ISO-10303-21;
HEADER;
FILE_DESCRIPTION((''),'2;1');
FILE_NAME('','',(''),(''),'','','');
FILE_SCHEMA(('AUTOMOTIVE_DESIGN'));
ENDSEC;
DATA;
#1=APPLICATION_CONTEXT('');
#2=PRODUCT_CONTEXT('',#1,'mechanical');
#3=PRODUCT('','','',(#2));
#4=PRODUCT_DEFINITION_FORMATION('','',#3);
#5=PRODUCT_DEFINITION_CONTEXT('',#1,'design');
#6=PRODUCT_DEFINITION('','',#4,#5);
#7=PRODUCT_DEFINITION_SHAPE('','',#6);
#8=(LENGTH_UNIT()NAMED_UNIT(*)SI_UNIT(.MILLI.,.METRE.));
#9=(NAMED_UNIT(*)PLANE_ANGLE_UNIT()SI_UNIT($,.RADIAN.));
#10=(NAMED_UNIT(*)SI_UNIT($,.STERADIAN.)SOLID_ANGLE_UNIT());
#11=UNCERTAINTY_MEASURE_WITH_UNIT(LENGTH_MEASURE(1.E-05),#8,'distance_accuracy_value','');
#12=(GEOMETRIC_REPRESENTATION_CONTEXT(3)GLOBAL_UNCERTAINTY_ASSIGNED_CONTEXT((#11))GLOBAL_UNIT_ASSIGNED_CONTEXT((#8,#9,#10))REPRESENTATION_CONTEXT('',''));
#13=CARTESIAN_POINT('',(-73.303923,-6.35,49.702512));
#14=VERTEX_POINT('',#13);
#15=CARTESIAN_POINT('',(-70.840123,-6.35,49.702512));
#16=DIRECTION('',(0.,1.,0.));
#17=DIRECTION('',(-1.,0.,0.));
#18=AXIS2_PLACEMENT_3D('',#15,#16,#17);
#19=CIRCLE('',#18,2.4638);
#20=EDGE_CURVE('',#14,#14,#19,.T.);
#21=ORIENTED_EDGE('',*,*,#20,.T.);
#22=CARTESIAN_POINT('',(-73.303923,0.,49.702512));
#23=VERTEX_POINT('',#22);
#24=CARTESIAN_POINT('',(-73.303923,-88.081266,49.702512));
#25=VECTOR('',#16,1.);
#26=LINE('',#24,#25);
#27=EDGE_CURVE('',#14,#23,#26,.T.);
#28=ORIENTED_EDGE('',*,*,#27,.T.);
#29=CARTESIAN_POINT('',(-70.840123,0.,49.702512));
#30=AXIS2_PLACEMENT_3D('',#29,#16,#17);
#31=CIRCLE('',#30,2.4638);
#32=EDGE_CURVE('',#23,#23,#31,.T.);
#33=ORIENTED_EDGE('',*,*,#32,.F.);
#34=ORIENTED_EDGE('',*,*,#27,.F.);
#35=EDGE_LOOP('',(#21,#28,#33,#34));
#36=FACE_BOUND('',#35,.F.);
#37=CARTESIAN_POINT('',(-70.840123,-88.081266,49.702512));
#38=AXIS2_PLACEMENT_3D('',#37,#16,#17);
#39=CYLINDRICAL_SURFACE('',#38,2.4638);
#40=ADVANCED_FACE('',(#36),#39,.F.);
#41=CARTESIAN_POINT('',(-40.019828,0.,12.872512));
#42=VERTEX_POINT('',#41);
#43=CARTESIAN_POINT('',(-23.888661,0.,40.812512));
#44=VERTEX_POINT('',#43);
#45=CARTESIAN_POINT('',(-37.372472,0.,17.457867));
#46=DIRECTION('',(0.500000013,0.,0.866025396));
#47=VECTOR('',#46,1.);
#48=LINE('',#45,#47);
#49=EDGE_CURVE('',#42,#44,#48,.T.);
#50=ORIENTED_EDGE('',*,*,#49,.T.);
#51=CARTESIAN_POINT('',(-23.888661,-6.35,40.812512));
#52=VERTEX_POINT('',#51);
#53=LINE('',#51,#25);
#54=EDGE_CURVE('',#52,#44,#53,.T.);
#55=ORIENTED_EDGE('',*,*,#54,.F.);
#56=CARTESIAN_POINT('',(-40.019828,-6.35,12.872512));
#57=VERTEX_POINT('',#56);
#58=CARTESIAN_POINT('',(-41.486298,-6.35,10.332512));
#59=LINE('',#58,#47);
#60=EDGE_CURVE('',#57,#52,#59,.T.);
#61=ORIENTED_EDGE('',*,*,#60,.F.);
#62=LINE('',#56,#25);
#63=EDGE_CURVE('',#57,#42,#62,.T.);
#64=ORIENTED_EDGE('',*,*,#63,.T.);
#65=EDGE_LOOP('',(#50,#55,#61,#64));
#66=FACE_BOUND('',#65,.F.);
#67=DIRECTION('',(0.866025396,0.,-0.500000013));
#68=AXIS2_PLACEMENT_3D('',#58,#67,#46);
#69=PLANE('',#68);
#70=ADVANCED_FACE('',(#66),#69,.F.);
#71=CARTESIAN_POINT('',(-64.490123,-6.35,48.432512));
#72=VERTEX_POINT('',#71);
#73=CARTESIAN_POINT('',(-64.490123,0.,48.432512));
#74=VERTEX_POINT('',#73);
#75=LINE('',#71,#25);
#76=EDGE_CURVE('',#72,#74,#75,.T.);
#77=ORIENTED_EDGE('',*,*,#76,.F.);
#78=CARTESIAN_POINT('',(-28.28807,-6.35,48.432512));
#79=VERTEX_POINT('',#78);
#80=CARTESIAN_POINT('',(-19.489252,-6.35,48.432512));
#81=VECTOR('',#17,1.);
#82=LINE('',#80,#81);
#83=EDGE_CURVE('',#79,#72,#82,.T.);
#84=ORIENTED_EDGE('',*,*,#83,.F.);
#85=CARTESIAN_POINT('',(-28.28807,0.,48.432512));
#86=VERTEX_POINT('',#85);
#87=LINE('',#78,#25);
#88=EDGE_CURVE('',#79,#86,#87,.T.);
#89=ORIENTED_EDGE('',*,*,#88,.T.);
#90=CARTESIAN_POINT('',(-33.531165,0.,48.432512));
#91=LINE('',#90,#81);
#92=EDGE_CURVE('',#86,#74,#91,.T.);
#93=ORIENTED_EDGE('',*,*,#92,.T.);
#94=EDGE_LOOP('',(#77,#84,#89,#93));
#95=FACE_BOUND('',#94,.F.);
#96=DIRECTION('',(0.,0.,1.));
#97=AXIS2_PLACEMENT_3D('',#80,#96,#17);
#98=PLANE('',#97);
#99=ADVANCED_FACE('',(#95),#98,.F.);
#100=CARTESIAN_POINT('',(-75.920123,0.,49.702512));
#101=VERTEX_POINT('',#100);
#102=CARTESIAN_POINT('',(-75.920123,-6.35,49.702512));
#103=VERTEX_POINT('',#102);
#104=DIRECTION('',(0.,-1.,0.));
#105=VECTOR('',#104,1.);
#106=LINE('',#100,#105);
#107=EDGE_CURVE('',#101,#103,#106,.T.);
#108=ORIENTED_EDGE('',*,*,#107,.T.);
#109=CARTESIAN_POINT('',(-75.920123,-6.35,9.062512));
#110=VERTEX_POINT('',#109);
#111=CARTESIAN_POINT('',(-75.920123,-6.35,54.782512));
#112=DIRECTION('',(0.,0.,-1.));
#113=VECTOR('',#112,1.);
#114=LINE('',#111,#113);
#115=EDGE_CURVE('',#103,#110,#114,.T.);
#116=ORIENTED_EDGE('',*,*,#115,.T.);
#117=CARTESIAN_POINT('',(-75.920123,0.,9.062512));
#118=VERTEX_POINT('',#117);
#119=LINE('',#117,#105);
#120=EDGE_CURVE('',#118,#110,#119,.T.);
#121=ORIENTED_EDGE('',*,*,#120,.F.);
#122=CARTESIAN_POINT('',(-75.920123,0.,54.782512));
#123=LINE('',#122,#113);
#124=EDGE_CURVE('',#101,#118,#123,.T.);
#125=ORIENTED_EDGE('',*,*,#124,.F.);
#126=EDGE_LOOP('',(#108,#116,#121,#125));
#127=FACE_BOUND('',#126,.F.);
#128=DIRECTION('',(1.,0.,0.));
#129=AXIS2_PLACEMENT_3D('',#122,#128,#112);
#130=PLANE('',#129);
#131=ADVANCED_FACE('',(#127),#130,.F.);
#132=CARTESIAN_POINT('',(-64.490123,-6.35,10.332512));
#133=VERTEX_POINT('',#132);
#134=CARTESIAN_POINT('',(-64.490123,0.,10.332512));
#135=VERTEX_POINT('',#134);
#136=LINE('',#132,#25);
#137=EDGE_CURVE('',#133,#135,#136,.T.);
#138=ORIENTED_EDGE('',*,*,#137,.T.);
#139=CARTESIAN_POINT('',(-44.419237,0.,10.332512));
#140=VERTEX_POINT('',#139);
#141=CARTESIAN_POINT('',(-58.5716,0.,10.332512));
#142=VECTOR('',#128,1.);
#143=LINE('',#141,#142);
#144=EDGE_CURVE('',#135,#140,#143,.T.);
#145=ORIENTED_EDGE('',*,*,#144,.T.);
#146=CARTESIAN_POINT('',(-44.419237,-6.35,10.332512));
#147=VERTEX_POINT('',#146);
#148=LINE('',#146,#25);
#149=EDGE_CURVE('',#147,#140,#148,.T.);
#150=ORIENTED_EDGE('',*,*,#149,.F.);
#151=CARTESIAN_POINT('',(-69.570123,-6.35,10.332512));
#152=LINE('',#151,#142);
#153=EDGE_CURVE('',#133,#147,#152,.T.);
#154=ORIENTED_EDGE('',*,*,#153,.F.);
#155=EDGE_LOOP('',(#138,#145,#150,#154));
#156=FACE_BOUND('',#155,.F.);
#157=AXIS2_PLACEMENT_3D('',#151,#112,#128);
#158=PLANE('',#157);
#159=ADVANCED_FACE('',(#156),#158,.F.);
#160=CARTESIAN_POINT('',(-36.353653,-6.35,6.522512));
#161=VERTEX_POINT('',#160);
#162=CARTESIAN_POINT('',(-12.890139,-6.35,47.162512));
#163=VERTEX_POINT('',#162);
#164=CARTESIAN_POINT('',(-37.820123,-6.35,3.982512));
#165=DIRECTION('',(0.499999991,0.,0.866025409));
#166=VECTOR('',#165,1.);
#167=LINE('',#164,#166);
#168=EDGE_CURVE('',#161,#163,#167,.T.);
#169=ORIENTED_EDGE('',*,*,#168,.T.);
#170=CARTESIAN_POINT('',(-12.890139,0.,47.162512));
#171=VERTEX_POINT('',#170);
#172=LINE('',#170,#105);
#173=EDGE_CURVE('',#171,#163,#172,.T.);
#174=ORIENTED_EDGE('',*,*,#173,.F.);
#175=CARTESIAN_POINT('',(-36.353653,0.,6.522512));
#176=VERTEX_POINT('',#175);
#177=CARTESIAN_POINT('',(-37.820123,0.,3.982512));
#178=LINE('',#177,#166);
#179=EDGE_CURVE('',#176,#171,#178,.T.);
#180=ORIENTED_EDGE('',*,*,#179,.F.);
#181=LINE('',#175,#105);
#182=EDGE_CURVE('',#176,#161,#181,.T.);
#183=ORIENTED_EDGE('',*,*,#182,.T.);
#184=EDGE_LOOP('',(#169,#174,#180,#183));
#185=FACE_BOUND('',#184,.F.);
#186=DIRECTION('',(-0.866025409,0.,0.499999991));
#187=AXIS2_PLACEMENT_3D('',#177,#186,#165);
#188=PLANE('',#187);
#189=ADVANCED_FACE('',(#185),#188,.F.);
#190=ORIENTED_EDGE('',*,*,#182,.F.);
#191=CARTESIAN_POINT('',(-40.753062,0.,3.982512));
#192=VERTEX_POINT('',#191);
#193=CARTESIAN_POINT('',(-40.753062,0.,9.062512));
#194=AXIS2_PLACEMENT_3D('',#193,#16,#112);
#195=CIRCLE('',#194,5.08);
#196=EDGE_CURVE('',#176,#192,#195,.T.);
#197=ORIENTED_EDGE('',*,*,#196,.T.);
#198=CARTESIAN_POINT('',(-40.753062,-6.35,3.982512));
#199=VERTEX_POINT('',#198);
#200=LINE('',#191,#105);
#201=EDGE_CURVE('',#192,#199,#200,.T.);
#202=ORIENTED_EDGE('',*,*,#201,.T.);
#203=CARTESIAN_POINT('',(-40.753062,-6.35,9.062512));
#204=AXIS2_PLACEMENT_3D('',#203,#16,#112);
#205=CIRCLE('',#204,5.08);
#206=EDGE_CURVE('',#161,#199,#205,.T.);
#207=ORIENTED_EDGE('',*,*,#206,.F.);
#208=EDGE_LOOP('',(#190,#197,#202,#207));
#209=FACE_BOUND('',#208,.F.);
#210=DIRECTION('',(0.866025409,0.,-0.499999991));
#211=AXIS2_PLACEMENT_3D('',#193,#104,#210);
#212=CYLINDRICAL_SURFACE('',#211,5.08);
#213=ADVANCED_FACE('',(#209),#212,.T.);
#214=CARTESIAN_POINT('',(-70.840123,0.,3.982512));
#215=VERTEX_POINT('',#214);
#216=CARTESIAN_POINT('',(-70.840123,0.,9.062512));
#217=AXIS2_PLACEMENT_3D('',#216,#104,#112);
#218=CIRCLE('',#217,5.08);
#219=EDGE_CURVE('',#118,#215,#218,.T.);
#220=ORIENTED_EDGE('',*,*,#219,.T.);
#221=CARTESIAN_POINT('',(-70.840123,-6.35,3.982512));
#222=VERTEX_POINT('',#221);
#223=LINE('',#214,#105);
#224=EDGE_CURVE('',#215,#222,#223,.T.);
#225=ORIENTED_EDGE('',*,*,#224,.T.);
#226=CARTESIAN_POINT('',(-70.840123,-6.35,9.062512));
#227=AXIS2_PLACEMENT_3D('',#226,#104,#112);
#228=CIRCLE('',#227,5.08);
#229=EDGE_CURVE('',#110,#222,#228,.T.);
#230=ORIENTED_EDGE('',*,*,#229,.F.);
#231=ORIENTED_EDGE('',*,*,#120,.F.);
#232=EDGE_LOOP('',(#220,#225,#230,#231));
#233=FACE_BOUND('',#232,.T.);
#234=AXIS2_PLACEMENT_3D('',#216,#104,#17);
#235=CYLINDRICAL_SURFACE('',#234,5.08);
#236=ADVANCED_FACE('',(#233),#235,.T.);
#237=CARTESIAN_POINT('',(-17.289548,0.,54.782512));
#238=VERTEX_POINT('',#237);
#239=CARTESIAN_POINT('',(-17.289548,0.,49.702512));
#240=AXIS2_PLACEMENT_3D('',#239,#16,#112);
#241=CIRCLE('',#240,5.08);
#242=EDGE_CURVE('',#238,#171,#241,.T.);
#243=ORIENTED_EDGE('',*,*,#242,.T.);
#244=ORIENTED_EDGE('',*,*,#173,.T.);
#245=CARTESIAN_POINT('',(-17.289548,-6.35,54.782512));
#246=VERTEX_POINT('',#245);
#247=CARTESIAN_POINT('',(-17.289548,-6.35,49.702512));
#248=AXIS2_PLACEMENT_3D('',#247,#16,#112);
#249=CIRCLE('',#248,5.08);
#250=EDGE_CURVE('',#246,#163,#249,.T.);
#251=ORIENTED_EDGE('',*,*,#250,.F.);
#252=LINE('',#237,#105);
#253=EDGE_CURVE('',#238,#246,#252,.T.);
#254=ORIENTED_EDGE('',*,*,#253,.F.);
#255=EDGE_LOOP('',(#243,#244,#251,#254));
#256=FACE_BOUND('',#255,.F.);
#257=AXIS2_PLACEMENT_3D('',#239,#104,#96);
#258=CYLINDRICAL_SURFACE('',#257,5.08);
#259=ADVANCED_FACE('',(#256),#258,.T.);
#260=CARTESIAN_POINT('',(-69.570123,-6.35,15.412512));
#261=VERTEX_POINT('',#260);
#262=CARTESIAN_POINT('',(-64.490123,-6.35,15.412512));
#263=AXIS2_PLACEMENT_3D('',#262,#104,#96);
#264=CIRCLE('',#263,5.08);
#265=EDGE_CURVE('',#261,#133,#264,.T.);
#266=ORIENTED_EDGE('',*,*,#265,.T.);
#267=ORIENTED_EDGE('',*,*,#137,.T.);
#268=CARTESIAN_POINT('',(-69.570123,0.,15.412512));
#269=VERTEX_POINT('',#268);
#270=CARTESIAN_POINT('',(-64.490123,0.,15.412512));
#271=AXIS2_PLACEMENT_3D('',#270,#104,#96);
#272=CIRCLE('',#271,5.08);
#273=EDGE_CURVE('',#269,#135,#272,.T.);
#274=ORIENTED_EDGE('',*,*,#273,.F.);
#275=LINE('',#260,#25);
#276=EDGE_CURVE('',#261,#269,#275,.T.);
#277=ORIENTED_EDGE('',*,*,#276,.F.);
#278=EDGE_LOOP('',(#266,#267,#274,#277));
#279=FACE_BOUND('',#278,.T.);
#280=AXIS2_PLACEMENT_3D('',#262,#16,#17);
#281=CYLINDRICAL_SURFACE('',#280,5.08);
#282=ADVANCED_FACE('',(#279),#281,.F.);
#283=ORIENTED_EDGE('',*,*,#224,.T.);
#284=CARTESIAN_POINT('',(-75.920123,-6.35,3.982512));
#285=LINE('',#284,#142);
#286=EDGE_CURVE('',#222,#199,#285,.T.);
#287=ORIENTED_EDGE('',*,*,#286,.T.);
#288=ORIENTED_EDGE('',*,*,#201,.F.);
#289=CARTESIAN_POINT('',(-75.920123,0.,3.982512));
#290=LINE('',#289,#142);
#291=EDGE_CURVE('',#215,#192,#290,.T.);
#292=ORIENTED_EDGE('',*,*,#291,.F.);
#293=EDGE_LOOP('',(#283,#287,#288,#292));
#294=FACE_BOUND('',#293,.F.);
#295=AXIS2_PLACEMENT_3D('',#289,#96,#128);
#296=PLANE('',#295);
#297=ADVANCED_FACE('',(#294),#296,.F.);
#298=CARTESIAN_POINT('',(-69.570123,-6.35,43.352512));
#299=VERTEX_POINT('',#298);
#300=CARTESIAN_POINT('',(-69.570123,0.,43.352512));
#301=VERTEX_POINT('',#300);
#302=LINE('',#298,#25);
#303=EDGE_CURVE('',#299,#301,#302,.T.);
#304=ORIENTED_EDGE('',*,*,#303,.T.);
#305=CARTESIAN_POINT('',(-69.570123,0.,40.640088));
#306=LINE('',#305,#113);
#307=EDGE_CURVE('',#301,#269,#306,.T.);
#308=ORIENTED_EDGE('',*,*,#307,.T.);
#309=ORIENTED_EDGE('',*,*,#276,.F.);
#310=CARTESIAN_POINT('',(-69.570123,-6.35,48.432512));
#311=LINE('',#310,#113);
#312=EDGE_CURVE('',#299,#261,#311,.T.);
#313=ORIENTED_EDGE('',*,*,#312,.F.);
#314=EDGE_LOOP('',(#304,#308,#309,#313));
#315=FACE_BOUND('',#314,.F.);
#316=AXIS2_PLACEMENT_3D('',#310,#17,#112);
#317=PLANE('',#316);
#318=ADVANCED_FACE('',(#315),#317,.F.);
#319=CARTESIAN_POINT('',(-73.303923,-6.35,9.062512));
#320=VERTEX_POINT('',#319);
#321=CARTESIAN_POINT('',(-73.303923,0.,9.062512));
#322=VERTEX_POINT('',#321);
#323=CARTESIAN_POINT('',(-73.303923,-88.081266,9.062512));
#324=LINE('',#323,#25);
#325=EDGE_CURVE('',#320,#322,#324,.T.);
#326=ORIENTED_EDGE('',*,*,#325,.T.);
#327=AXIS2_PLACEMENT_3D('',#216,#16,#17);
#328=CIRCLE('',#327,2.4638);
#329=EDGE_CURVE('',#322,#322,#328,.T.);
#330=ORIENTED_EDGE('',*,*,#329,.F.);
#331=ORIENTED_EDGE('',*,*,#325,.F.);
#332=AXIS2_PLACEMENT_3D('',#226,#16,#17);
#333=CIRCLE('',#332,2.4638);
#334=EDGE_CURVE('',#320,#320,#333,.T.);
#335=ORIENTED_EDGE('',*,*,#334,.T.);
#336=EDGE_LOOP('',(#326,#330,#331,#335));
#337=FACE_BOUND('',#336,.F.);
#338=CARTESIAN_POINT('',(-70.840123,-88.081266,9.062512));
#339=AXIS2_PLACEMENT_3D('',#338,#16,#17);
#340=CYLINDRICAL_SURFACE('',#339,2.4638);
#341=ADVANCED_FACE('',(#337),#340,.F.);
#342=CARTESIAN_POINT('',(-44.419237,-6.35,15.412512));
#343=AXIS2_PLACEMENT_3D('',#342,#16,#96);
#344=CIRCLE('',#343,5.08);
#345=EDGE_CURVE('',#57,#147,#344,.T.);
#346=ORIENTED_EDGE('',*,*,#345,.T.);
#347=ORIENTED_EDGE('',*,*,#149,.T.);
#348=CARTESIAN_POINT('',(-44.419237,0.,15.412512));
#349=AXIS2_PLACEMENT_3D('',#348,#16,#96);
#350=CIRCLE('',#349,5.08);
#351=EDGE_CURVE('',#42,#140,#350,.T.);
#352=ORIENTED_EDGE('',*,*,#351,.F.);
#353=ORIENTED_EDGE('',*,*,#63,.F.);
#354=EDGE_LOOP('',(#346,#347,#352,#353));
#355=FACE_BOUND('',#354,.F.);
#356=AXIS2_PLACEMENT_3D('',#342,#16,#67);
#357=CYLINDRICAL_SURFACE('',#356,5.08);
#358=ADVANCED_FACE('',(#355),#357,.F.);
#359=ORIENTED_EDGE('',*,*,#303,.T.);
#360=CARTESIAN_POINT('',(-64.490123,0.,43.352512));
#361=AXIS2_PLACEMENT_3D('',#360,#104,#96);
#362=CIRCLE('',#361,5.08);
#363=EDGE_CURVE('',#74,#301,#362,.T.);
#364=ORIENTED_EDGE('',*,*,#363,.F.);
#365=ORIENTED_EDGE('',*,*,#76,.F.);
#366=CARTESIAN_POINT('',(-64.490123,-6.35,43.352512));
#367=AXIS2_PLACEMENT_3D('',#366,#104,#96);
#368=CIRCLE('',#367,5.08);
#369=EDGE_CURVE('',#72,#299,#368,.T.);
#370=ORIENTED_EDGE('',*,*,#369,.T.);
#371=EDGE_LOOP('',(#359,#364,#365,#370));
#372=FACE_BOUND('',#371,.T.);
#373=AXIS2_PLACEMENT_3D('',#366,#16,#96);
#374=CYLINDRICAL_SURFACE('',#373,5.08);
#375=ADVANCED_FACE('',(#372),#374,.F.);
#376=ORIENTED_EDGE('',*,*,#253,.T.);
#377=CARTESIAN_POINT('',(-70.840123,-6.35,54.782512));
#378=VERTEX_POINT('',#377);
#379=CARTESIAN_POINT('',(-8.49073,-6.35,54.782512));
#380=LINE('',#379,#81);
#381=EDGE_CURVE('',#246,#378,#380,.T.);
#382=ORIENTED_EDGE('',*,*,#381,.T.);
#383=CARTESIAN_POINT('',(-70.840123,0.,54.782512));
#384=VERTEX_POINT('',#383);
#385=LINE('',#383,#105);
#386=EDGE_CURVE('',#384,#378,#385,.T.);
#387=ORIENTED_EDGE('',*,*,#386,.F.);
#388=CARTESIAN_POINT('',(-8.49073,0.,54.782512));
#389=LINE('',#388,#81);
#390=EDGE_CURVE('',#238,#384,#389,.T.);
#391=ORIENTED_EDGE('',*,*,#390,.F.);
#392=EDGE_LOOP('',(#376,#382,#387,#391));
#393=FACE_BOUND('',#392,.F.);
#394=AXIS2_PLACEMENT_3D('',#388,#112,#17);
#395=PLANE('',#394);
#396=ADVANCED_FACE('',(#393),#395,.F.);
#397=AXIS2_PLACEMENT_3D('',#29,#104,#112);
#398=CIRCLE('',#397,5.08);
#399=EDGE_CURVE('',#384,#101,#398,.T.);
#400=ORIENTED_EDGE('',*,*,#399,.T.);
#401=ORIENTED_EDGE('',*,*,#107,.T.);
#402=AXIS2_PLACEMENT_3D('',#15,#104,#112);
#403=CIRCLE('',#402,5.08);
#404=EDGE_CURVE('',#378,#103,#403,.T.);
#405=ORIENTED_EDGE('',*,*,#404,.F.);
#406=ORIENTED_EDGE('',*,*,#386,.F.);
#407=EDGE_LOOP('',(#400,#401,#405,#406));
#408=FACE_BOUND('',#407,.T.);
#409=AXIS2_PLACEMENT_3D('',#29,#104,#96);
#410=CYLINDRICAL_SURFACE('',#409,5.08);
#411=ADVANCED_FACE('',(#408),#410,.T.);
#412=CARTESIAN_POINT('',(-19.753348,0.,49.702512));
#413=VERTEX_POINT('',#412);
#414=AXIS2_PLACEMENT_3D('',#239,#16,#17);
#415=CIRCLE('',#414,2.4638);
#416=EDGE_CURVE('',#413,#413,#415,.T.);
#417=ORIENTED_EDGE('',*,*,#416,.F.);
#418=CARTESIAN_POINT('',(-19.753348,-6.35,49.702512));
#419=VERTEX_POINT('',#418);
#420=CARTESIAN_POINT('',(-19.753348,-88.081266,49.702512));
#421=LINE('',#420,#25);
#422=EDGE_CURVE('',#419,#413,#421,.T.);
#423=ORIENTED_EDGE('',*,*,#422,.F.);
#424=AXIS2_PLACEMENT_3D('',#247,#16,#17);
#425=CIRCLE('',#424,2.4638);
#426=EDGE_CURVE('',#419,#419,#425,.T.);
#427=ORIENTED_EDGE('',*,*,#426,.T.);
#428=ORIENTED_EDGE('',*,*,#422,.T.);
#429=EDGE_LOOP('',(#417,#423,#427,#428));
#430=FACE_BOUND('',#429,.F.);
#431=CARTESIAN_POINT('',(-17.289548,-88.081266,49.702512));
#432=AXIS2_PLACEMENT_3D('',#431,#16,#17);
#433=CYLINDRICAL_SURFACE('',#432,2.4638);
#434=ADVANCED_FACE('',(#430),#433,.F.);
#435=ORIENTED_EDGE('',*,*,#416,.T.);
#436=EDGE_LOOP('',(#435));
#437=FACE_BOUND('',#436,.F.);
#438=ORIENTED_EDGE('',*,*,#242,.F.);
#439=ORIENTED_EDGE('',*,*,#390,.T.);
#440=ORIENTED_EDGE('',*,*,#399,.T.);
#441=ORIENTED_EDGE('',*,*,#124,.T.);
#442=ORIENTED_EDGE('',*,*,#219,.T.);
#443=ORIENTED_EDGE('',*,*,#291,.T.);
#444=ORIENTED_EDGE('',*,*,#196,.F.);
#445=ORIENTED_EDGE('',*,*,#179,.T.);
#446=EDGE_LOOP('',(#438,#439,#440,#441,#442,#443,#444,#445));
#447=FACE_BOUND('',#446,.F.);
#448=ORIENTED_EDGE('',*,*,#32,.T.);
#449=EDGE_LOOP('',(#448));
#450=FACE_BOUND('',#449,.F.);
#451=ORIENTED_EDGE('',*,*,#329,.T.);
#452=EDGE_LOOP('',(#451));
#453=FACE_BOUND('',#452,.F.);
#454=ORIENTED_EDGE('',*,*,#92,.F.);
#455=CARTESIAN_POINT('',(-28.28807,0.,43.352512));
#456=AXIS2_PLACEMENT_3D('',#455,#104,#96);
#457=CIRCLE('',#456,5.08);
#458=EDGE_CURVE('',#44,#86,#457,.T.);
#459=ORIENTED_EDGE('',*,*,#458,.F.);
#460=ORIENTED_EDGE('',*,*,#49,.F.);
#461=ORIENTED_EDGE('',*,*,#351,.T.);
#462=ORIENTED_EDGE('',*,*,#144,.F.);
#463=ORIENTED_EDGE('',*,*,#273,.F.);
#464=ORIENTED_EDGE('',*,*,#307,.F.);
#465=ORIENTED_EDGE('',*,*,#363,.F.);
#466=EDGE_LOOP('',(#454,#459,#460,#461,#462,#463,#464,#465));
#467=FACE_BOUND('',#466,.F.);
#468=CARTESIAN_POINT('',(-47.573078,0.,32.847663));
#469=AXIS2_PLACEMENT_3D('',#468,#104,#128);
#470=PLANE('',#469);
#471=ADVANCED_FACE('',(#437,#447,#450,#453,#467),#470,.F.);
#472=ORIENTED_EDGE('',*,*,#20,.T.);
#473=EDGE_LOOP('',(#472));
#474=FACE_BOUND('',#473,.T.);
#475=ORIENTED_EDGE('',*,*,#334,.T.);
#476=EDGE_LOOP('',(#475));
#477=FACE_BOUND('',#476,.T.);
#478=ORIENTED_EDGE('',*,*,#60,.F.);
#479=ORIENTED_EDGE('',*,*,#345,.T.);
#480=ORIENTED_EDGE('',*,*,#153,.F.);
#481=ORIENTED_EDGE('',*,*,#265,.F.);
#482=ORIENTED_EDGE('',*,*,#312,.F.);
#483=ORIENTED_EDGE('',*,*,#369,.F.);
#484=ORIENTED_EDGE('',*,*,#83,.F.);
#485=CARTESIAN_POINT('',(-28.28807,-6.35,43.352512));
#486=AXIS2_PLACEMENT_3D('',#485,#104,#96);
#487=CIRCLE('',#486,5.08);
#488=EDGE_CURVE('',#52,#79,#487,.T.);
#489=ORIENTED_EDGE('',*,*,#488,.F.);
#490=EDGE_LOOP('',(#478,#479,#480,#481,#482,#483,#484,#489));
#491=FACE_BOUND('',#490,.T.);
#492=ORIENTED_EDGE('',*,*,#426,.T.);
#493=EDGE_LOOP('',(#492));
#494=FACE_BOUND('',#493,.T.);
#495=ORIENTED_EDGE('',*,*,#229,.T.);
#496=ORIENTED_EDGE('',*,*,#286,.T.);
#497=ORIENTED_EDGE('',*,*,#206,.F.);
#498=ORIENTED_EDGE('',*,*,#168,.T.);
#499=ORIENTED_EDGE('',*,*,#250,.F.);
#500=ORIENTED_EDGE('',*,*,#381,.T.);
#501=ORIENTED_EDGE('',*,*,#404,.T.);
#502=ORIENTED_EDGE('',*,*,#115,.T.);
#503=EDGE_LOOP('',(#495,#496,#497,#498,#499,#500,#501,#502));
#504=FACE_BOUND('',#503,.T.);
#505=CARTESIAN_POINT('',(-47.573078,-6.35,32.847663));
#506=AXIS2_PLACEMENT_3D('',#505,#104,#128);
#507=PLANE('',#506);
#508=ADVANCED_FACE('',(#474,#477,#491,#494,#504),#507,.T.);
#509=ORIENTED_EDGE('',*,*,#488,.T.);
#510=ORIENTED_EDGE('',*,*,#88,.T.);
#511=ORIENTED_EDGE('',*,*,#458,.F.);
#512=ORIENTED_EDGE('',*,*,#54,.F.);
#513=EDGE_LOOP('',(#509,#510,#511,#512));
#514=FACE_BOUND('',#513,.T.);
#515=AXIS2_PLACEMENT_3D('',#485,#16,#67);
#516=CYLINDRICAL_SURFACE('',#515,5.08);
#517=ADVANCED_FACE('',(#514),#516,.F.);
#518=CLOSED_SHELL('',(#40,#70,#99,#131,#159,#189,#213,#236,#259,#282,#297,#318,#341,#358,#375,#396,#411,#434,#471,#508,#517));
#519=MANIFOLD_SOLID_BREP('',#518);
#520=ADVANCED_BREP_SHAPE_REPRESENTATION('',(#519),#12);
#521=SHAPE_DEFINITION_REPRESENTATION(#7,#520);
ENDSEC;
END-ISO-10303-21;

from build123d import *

# Parameters (mm, degrees)
F1_DEPTH = 6.35
F3_DEPTH = 25.4
F4_R     = 5.08
F5_R     = 5.08
F7_D     = 4.9276


with BuildPart() as f1:
    # F0 (on Front) → F1 (new body)
    with BuildSketch(Plane.XZ):
        Polygon((-8.49073, 54.782512), (-75.920123, 54.782512), (-75.920123, 3.982512), (-37.820123, 3.982512), align=None)
    extrude(amount=F1_DEPTH)

    # F2 (on face) → F3 (cut)
    with BuildSketch(Plane.XZ.offset(6.35)):
        Polygon((-41.486298, 10.332512), (-19.489252, 48.432512), (-69.570123, 48.432512), (-69.570123, 10.332512), align=None)
    extrude(amount=-F3_DEPTH, mode=Mode.SUBTRACT)

    # F4
    f4_edges = [f1.edges().sort_by_distance(p)[0] for p in [
        (-8.49073, -3.175, 54.782512),
        (-75.920123, -3.175, 54.782512),
        (-37.820123, -3.175, 3.982512),
        (-75.920123, -3.175, 3.982512),
    ]]
    fillet(f4_edges, radius=F4_R)

    # F5
    f5_edges = [f1.edges().sort_by_distance(p)[0] for p in [
        (-41.486298, -3.175, 10.332512),
        (-69.570123, -3.175, 10.332512),
        (-69.570123, -3.175, 48.432512),
        (-19.489252, -3.175, 48.432512),
    ]]
    fillet(f5_edges, radius=F5_R)

    # F7 (through all)
    with Locations(Plane.XZ.offset(6.35)):
        with Locations((-70.840123, 49.702512), (-70.840123, 9.062512), (-17.289548, 49.702512)):
            Hole(F7_D / 2)


solid = f1.part
